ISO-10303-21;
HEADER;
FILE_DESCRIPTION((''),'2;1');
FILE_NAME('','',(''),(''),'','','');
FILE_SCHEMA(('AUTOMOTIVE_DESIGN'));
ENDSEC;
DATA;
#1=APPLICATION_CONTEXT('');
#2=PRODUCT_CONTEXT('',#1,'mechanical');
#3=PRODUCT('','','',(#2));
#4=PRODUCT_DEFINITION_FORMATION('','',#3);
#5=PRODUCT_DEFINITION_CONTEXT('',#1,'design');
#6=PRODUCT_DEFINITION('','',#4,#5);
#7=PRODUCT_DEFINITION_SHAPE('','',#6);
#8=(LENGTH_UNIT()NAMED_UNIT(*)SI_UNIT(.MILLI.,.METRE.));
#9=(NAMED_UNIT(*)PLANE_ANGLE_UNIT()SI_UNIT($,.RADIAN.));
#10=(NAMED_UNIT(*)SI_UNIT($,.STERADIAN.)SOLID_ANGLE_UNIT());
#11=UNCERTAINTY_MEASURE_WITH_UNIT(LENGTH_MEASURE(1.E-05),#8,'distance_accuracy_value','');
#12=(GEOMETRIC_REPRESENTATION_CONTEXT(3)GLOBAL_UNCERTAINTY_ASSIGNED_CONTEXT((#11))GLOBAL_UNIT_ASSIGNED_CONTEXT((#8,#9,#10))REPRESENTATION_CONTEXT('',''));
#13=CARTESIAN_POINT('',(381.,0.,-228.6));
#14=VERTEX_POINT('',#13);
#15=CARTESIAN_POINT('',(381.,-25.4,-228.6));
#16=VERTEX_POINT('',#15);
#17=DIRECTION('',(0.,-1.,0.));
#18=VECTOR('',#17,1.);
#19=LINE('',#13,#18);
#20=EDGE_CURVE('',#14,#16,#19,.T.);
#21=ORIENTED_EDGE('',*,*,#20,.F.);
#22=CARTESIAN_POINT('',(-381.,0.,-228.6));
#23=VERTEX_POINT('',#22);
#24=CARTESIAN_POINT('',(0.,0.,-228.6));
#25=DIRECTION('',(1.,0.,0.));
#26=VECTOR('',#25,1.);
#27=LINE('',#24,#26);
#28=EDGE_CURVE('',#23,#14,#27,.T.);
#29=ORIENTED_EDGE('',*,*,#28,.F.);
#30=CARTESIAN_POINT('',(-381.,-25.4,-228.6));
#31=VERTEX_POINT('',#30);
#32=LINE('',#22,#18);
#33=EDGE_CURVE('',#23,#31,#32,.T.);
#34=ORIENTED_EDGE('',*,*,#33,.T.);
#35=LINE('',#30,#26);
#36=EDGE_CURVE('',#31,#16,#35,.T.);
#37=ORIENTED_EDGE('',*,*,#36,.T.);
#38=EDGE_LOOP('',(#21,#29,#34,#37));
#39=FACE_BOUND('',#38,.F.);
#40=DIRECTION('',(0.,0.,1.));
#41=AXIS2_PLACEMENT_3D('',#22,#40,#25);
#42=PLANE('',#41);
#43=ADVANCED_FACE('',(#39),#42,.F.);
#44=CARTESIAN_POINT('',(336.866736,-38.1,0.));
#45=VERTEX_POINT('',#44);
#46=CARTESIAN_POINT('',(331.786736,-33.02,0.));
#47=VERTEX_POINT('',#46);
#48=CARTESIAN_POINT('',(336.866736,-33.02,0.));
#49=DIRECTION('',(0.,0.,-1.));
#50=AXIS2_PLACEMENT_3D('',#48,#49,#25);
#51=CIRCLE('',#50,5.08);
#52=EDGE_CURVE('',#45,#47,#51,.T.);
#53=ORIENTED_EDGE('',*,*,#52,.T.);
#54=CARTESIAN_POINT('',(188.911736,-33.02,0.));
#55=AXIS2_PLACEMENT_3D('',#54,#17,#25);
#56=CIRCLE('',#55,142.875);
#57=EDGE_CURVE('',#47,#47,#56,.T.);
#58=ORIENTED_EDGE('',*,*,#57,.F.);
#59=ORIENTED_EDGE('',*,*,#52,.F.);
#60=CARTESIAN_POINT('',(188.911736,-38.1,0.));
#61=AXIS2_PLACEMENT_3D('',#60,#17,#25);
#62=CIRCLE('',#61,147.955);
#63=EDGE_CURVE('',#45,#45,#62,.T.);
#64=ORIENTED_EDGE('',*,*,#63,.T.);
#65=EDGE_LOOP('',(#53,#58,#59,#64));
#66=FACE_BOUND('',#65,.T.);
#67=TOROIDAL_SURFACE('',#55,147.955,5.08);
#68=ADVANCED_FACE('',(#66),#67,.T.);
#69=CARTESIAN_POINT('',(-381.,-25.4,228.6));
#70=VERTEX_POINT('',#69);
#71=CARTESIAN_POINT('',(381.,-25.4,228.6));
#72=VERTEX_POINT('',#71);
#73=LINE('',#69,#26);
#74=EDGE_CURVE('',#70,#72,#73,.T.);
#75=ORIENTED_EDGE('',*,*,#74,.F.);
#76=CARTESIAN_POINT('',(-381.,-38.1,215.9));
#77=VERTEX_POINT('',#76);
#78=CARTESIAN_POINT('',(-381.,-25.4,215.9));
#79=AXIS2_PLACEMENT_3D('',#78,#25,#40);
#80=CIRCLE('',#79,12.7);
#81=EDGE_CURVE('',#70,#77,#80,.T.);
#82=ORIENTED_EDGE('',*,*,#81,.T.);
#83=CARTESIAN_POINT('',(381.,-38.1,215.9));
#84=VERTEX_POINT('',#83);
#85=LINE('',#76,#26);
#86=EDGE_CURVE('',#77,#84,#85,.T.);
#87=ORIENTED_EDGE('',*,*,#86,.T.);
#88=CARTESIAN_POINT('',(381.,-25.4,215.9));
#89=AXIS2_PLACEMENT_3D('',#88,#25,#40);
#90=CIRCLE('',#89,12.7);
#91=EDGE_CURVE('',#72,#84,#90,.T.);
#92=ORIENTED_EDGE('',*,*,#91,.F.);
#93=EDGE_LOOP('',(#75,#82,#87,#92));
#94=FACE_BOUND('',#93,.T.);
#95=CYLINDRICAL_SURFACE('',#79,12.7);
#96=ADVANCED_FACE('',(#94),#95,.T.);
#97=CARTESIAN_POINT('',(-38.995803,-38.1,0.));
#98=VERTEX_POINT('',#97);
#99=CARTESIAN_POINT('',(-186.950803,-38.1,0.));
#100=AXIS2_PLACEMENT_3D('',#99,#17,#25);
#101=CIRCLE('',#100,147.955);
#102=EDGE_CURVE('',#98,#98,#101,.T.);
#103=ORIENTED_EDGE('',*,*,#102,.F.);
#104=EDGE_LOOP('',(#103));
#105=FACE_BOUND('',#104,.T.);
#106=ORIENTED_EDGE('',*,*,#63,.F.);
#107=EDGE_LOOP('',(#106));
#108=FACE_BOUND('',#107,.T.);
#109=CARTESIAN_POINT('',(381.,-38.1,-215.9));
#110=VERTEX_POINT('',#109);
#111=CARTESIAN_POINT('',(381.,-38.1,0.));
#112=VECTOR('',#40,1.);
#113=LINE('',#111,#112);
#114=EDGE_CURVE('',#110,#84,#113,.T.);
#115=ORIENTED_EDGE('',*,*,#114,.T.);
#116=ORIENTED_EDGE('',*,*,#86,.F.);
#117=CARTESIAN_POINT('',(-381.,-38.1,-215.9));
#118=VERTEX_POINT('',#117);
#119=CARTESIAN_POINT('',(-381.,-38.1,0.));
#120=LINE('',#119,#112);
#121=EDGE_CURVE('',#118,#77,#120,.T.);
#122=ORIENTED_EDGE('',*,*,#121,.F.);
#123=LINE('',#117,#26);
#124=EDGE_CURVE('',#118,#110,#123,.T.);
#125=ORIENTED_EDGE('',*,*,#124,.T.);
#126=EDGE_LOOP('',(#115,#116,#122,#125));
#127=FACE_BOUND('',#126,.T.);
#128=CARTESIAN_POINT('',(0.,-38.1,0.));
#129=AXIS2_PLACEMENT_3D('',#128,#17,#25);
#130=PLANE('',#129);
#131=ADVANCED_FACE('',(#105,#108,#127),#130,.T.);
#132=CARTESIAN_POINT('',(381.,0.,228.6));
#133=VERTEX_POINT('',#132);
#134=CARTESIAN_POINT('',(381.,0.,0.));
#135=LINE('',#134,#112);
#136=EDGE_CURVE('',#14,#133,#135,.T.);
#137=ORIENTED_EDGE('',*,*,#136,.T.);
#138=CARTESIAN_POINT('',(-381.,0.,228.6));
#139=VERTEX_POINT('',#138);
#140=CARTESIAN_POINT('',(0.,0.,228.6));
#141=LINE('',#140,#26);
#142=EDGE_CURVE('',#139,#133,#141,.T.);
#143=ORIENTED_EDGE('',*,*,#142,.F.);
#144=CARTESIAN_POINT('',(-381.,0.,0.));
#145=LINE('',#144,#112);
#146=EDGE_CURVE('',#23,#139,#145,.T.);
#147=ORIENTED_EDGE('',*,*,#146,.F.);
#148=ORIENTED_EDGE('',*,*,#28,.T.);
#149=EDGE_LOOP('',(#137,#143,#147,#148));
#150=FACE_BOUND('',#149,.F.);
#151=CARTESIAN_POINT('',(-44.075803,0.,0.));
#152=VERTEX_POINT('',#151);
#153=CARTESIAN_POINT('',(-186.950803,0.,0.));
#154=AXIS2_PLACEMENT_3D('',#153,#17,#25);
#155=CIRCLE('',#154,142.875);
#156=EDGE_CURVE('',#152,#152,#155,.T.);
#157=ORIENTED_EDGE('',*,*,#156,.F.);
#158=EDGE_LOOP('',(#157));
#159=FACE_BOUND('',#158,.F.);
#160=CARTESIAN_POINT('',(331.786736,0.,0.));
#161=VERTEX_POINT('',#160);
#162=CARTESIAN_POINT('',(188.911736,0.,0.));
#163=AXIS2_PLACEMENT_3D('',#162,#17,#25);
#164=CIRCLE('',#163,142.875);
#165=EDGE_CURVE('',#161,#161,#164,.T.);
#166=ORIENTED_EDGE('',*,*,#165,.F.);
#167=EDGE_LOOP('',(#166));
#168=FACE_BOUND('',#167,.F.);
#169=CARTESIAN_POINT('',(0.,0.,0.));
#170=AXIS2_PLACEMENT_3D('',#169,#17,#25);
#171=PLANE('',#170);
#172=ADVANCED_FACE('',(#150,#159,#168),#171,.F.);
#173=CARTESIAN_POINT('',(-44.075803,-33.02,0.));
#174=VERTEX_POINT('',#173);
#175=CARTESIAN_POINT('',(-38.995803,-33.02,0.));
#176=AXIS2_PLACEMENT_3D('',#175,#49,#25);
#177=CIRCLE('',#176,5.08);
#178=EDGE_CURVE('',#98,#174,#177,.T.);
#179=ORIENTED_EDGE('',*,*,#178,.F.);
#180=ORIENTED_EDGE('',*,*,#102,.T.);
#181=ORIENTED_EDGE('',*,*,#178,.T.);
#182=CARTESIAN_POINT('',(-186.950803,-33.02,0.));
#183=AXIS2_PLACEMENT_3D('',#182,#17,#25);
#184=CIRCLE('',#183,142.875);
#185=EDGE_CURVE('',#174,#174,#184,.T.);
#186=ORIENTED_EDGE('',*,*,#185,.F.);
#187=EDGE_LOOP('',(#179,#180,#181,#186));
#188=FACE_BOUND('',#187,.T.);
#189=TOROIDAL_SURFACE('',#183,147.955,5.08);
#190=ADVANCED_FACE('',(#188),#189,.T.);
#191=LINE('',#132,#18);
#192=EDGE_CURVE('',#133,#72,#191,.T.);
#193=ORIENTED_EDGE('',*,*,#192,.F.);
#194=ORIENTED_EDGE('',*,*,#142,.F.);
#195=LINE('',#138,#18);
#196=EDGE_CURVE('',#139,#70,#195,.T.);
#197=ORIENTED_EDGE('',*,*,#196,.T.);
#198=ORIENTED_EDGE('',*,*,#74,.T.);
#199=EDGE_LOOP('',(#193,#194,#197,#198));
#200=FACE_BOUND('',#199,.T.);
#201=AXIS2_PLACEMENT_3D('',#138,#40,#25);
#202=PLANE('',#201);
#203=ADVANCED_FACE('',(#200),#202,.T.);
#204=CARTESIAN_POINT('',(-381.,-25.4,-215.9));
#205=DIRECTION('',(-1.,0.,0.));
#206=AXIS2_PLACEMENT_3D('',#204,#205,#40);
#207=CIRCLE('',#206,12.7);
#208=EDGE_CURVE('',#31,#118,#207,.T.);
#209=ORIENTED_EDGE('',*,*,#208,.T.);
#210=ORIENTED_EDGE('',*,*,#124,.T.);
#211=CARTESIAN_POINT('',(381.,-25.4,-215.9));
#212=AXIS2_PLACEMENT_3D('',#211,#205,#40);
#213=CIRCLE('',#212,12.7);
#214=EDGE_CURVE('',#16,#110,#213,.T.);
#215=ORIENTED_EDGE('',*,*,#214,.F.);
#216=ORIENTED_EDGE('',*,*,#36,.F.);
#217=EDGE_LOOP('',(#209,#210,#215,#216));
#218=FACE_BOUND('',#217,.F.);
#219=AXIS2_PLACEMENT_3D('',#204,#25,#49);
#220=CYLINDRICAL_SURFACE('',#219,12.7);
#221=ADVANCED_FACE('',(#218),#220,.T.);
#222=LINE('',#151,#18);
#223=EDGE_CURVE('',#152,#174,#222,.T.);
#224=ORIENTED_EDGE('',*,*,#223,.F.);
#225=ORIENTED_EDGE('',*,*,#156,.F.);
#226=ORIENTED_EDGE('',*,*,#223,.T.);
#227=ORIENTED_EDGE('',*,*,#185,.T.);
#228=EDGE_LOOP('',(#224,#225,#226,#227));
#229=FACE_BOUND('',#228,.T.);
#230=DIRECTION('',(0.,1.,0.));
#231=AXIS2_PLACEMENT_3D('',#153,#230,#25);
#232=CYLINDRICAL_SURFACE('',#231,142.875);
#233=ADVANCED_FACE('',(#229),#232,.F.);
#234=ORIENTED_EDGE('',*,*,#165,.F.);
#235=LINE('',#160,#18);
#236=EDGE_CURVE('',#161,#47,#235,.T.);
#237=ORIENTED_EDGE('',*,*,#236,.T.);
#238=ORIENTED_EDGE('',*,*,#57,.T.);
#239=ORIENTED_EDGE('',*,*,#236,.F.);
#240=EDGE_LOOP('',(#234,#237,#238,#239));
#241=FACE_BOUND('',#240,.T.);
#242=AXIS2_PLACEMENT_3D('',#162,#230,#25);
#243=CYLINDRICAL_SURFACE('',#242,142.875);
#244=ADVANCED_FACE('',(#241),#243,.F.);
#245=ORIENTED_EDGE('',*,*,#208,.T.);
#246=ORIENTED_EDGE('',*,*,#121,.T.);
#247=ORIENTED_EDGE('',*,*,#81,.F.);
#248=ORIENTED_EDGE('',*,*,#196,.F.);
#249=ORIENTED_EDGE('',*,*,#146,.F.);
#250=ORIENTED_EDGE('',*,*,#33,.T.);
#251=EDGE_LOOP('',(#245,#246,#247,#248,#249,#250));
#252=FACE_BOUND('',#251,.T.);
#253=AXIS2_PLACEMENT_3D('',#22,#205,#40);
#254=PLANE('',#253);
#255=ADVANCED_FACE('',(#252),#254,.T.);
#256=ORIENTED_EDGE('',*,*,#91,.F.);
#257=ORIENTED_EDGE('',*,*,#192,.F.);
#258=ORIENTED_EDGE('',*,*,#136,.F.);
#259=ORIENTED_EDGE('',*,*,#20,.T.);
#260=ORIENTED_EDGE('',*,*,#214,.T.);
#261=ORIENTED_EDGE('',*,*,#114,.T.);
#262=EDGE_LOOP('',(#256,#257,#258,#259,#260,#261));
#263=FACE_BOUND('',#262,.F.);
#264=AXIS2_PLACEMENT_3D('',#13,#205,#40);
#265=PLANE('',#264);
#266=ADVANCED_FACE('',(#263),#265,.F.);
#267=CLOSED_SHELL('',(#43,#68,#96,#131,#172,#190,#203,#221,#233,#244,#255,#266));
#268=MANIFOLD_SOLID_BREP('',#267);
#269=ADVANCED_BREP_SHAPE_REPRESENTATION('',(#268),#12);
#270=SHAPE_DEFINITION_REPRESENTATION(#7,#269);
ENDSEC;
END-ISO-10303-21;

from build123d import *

# Parameters (mm, degrees)
F0_W     = 762
F0_H     = 457.2
F0_R     = 142.875
F1_DEPTH = 38.1
F2_R     = 12.7
F3_R     = 5.08


with BuildPart() as f1:
    # F0 (on Front) → F1 (new body)
    with BuildSketch(Plane.XZ):
        Rectangle(F0_W, F0_H)
        with Locations((-186.950803, 0)):
            Circle(F0_R, mode=Mode.SUBTRACT)
        with Locations((188.911736, 0)):
            Circle(F0_R, mode=Mode.SUBTRACT)
    extrude(amount=F1_DEPTH)

    # F2
    f2_edges = [f1.edges().sort_by_distance(p)[0] for p in [
        (0, -38.1, 228.6),
        (0, -38.1, -228.6),
    ]]
    fillet(f2_edges, radius=F2_R)

    # F3
    f3_edges = [f1.edges().sort_by_distance(p)[0] for p in [
        (-329.825803, -38.1, 0),
        (46.036736, -38.1, 0),
    ]]
    fillet(f3_edges, radius=F3_R)


solid = f1.part
